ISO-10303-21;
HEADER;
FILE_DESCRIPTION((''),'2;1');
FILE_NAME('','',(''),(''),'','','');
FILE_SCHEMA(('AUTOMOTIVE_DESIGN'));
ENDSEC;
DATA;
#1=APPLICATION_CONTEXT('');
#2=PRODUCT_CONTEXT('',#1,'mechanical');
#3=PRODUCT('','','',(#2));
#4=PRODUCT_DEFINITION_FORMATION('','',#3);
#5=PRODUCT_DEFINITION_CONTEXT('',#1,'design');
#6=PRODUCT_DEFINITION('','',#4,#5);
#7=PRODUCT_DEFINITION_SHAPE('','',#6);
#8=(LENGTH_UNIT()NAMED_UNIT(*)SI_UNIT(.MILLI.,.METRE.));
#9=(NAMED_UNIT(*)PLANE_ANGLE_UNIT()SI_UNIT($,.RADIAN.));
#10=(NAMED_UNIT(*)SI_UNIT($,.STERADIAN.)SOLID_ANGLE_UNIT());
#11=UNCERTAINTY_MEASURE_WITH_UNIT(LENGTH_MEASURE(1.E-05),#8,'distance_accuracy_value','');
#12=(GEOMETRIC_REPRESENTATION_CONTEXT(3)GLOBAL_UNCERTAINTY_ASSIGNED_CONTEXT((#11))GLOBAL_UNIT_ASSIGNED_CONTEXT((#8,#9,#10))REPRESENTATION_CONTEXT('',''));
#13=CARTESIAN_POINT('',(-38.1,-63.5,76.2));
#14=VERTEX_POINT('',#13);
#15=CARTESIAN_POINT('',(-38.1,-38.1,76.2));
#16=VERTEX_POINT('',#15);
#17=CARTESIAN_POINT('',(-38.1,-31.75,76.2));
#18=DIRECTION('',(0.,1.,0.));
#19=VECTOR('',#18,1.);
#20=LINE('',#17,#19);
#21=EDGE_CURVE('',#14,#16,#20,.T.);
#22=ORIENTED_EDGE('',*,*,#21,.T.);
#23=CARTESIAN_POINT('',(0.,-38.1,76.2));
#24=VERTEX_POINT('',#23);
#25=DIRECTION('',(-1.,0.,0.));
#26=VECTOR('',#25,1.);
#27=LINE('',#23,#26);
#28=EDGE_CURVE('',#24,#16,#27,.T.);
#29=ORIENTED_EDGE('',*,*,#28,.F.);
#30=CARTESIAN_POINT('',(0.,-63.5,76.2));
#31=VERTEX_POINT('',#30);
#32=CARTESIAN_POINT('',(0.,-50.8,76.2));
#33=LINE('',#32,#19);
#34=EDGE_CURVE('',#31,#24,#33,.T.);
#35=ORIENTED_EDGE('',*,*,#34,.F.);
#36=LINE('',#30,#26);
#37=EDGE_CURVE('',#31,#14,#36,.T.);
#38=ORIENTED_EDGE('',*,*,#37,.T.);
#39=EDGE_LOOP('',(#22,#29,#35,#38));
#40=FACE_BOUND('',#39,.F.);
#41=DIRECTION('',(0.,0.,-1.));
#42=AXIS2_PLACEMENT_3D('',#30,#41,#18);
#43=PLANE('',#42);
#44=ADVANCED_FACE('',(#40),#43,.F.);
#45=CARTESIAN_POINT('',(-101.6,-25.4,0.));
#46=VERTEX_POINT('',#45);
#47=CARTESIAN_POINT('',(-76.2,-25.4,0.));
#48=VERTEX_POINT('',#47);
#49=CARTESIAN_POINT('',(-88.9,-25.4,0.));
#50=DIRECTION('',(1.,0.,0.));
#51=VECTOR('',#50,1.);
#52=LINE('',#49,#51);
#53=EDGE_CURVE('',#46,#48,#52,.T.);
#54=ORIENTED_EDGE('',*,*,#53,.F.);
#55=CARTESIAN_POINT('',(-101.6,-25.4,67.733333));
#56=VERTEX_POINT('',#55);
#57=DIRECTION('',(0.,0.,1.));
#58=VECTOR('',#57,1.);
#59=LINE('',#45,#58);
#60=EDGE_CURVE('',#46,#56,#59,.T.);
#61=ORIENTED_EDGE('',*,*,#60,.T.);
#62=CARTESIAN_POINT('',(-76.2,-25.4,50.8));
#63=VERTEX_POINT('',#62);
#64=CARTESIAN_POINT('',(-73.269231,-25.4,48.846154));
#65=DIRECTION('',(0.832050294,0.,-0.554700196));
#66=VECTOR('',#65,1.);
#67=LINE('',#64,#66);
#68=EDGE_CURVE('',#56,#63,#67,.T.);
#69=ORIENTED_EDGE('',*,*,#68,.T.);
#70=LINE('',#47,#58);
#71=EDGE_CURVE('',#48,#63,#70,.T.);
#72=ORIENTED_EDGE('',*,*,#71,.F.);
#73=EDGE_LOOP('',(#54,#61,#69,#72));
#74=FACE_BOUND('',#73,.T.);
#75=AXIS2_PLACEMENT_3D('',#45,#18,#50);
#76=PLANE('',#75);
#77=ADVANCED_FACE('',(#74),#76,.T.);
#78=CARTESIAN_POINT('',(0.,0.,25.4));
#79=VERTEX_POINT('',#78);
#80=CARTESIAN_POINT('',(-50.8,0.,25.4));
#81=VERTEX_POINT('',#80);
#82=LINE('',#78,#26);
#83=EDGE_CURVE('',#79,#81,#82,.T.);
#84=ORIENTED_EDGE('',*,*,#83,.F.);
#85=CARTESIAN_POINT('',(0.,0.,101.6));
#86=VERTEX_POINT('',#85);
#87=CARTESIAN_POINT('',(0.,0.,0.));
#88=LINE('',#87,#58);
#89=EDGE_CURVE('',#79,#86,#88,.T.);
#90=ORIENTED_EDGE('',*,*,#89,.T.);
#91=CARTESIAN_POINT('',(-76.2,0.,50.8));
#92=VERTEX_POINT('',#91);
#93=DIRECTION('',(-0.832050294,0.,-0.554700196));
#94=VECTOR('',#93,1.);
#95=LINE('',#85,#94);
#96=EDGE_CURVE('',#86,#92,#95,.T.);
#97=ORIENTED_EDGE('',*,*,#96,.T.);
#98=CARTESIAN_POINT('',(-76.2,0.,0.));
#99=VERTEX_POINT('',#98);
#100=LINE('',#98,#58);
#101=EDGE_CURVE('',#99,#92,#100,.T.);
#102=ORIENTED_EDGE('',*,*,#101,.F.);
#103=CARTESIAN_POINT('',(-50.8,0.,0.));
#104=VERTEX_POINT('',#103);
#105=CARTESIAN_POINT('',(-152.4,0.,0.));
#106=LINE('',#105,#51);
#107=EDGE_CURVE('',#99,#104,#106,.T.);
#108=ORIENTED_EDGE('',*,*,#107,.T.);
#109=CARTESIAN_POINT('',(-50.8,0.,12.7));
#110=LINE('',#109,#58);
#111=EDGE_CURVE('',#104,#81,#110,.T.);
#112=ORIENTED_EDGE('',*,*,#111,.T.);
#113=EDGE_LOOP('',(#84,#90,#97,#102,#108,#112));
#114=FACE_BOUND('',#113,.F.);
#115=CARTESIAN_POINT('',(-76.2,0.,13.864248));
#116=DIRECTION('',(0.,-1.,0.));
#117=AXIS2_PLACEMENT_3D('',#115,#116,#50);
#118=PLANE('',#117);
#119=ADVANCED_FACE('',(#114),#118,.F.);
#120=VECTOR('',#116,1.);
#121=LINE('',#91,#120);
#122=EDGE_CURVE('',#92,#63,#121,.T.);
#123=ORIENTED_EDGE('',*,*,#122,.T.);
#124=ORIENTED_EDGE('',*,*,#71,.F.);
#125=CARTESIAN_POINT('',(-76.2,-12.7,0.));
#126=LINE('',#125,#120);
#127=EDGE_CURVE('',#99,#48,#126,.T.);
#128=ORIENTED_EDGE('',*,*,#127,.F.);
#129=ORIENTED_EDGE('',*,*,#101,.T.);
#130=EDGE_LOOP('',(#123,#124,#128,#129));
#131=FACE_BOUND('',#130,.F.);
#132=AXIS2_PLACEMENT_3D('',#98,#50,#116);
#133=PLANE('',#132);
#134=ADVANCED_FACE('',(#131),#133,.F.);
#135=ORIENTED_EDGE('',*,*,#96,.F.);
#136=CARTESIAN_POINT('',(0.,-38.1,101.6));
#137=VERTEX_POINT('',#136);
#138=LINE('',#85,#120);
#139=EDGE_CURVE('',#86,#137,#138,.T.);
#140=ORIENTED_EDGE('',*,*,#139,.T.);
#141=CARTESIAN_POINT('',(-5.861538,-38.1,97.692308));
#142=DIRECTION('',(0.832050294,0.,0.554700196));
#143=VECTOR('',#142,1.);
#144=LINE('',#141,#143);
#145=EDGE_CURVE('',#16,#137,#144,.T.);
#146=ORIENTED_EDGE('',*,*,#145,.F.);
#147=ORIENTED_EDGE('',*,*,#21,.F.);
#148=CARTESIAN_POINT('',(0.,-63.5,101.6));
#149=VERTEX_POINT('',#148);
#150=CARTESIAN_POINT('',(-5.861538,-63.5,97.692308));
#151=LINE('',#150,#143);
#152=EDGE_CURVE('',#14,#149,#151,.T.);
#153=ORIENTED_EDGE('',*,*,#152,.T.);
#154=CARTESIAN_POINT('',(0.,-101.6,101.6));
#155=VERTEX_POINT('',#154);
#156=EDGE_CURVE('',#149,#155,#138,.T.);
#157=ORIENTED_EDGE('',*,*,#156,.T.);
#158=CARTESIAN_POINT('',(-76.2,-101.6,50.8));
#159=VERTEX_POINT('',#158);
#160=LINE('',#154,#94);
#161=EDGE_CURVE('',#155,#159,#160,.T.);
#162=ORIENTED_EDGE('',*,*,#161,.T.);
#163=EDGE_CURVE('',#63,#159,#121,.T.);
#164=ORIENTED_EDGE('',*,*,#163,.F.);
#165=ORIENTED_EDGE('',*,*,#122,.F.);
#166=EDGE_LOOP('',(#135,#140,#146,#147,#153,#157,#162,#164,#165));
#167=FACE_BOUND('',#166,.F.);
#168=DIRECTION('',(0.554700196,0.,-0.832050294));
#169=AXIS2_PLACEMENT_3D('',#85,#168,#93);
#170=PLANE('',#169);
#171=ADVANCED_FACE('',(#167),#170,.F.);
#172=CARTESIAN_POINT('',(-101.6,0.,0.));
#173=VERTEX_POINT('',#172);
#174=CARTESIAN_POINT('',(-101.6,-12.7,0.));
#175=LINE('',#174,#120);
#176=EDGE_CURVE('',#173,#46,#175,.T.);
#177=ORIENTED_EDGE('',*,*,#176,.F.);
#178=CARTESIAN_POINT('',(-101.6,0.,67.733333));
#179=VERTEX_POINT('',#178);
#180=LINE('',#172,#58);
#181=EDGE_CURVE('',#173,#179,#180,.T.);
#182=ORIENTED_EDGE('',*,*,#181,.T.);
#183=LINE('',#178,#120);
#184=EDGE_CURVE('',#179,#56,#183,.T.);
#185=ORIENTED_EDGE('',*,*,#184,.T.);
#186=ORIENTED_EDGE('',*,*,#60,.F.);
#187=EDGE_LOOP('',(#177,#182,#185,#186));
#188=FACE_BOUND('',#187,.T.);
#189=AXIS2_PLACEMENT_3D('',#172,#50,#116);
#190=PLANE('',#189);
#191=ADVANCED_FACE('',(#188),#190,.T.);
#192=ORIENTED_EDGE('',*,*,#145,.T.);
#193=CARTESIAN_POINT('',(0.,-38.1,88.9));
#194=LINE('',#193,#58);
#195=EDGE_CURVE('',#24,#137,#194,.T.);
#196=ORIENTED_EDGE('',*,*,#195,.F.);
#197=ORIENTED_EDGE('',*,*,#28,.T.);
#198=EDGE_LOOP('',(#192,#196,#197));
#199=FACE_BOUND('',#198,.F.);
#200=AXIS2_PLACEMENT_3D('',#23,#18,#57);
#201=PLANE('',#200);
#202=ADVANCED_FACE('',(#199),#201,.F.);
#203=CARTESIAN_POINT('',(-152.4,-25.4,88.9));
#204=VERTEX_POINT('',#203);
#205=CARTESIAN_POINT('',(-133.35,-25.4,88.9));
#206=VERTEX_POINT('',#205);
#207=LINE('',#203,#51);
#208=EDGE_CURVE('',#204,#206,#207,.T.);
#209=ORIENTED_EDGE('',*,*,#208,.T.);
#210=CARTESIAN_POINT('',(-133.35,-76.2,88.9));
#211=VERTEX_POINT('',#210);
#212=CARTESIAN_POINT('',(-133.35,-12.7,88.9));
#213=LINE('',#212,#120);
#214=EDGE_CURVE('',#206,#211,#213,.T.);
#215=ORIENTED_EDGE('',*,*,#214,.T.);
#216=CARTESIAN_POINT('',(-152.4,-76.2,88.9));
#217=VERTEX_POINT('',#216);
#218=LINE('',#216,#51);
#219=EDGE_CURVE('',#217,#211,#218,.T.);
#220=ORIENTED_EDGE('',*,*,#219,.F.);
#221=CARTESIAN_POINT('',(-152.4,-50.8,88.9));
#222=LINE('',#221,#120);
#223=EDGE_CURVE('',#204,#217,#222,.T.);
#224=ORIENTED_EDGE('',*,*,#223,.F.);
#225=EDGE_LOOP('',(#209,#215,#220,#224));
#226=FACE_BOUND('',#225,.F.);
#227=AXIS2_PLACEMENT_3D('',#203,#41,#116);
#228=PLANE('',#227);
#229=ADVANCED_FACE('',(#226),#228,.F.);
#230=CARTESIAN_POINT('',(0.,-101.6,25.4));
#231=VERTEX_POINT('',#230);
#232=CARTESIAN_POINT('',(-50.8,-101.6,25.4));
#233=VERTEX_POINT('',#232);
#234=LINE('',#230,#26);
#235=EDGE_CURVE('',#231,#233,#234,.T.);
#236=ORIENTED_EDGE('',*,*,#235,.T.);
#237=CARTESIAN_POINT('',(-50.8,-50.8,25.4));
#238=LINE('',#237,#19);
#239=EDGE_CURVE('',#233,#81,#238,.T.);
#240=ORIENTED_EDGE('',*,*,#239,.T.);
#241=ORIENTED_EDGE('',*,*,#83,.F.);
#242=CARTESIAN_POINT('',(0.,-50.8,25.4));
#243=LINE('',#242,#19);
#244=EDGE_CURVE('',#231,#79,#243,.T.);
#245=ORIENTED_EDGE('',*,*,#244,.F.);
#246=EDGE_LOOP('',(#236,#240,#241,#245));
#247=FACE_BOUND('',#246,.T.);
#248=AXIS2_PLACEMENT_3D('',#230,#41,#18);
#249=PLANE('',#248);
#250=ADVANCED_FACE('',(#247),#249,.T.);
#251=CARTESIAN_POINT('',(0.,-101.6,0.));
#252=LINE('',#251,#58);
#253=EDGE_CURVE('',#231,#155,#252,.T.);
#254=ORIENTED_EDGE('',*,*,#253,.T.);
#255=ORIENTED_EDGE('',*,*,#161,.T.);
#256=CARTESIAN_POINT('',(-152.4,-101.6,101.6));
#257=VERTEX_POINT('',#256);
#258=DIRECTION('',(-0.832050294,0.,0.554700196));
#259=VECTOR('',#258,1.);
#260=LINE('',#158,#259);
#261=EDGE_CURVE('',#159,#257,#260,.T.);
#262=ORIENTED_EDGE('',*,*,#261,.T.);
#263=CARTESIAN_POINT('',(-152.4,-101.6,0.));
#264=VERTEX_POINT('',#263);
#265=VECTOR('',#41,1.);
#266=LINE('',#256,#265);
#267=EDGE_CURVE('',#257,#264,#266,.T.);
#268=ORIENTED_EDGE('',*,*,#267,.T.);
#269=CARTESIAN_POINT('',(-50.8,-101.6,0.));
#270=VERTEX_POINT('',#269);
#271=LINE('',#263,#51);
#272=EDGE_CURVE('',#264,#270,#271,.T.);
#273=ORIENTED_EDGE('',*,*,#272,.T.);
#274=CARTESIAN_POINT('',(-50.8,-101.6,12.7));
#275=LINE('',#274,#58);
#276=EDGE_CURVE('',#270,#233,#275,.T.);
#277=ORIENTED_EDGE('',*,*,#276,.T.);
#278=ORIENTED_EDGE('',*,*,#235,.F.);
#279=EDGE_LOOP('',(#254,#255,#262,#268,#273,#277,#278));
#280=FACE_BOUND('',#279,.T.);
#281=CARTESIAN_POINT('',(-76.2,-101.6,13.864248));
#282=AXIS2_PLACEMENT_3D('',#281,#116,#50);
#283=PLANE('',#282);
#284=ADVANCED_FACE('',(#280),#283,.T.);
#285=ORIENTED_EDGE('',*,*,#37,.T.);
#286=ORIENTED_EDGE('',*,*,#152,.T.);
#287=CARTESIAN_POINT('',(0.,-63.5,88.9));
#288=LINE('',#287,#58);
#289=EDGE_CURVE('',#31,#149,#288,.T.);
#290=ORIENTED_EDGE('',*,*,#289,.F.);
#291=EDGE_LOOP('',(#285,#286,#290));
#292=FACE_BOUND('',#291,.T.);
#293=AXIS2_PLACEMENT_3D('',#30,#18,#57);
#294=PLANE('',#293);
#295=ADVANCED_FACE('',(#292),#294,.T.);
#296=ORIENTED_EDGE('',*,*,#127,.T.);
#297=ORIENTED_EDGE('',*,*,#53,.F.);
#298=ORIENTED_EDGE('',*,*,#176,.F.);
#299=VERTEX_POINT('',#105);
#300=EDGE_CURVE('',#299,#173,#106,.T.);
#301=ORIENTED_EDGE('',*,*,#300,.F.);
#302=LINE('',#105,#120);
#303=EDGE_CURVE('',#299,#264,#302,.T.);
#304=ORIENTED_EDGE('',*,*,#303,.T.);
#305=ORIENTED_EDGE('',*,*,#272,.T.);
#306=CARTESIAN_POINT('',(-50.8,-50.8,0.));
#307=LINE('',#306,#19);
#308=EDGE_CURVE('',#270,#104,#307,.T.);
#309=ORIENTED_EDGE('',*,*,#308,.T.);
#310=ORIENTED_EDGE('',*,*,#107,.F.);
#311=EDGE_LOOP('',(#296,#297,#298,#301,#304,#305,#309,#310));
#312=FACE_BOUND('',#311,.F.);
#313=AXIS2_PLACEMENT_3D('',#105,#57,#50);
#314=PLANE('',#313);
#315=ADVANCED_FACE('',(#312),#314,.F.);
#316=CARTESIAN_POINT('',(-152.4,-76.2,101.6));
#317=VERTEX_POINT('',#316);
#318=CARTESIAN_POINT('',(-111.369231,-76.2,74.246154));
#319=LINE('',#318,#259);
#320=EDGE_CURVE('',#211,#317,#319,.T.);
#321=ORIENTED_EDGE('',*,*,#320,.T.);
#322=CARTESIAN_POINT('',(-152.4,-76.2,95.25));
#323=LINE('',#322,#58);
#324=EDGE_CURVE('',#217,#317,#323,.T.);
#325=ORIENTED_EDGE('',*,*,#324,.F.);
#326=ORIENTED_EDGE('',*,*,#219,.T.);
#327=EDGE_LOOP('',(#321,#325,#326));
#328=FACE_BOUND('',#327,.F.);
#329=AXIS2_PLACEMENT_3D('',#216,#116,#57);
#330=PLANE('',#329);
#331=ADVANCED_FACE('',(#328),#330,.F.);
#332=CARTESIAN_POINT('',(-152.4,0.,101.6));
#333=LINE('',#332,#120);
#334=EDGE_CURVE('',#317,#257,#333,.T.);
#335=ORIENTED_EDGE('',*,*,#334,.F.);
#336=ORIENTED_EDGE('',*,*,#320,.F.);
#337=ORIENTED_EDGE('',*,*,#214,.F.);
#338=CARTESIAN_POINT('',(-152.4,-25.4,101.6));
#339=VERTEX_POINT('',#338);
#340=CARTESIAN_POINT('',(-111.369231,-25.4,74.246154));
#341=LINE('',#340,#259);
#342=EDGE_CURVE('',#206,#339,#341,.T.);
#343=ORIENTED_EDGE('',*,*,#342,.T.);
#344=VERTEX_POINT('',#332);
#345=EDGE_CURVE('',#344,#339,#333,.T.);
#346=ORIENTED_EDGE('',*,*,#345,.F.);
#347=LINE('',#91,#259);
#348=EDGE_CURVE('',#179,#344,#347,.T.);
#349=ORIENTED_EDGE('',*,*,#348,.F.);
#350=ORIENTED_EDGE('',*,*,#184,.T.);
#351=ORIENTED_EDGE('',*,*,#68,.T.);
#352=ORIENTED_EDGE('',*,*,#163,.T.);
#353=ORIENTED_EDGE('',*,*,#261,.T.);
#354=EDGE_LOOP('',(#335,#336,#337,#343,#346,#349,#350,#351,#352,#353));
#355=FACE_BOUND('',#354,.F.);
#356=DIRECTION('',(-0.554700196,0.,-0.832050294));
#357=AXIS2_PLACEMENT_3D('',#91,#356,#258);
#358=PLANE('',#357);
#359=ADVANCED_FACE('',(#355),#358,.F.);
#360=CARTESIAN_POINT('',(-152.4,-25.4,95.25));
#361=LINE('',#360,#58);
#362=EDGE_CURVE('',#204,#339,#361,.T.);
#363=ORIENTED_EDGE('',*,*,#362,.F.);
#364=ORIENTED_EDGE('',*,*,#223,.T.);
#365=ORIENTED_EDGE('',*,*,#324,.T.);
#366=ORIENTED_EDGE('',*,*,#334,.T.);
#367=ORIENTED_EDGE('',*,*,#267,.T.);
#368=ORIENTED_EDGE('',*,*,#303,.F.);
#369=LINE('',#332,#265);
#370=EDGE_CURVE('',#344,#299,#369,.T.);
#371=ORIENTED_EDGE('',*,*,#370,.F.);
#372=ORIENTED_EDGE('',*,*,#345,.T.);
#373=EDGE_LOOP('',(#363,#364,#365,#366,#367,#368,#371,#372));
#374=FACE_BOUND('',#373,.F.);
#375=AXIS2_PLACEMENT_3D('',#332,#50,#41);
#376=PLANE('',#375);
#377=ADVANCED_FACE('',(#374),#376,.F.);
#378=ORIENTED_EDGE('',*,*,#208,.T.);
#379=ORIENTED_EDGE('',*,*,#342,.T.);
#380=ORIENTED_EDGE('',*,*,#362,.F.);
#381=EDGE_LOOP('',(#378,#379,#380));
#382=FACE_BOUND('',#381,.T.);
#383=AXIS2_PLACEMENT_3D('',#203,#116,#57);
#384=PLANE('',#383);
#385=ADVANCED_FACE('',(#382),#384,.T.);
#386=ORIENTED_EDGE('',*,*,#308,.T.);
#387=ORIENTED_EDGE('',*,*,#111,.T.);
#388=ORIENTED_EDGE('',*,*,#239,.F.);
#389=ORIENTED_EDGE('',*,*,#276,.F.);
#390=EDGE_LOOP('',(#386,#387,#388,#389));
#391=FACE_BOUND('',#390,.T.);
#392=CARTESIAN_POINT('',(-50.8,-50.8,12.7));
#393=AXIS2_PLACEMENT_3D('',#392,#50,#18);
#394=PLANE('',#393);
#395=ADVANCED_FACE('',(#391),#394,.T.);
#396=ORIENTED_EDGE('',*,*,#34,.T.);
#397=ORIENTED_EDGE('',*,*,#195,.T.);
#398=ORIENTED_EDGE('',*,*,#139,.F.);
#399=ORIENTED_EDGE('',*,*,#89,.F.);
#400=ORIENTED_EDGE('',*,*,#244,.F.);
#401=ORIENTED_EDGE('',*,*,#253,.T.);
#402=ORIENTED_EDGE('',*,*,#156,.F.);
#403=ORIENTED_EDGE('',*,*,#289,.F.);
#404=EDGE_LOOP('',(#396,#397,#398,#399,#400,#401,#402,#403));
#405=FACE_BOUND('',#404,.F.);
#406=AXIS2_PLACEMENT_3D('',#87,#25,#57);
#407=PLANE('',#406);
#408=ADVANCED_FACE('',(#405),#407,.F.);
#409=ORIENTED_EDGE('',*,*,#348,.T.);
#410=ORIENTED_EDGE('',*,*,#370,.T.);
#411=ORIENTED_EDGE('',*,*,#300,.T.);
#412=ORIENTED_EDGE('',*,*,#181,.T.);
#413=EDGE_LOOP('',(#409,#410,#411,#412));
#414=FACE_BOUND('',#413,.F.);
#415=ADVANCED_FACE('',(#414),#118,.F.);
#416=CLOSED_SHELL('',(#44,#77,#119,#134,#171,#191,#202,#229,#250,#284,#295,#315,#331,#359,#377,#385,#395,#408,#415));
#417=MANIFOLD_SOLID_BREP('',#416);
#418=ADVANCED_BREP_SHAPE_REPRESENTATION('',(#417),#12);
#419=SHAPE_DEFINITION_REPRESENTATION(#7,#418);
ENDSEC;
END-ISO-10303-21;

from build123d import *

# Parameters (mm, degrees)
F1_DEPTH = 101.6
F2_W     = 25.4
F2_H     = 25.4
F2_W_2   = 101.6
F3_DEPTH = 50.8
F4_W     = 25.4
F4_H     = 25.4
F5_DEPTH = 101.601
F6_W     = 50.8
F6_H     = 12.7
F7_DEPTH = 25.4


with BuildPart() as f1:
    # F0 (on Front) → F1 (new body)
    with BuildSketch(Plane.XZ):
        Polygon((-152.4, 0), (0, 0), (-76.2, 50.8), align=None)
        Polygon((-76.2, 50.8), (0, 0), (0, 101.6), align=None)
        Polygon((-152.4, 101.6), (-152.4, 0), (-76.2, 50.8), align=None)
    extrude(amount=F1_DEPTH)

    # F2 (on face) → F3 (cut)
    with BuildSketch(Plane.YZ):
        with Locations((-50.8, 88.9)):
            Rectangle(F2_W, F2_H)
        with Locations((-50.8, 12.7)):
            Rectangle(F2_W_2, F2_H)
    extrude(amount=-F3_DEPTH, mode=Mode.SUBTRACT)

    # F4 (on face) → F5 (cut, through all)
    with BuildSketch(Plane(origin=(0, 0, 0), x_dir=(1, 0, 0), z_dir=(0, 0, -1))):
        with Locations((-88.9, 12.7)):
            Rectangle(F4_W, F4_H)
    extrude(amount=-F5_DEPTH, mode=Mode.SUBTRACT)

    # F6 (on face) → F7 (cut)
    with BuildSketch(Plane(origin=(-152.4, 0, 0), x_dir=(0, -1, 0), z_dir=(-1, 0, 0))):
        with Locations((50.8, 95.25)):
            Rectangle(F6_W, F6_H)
    extrude(amount=-F7_DEPTH, mode=Mode.SUBTRACT)


solid = f1.part
